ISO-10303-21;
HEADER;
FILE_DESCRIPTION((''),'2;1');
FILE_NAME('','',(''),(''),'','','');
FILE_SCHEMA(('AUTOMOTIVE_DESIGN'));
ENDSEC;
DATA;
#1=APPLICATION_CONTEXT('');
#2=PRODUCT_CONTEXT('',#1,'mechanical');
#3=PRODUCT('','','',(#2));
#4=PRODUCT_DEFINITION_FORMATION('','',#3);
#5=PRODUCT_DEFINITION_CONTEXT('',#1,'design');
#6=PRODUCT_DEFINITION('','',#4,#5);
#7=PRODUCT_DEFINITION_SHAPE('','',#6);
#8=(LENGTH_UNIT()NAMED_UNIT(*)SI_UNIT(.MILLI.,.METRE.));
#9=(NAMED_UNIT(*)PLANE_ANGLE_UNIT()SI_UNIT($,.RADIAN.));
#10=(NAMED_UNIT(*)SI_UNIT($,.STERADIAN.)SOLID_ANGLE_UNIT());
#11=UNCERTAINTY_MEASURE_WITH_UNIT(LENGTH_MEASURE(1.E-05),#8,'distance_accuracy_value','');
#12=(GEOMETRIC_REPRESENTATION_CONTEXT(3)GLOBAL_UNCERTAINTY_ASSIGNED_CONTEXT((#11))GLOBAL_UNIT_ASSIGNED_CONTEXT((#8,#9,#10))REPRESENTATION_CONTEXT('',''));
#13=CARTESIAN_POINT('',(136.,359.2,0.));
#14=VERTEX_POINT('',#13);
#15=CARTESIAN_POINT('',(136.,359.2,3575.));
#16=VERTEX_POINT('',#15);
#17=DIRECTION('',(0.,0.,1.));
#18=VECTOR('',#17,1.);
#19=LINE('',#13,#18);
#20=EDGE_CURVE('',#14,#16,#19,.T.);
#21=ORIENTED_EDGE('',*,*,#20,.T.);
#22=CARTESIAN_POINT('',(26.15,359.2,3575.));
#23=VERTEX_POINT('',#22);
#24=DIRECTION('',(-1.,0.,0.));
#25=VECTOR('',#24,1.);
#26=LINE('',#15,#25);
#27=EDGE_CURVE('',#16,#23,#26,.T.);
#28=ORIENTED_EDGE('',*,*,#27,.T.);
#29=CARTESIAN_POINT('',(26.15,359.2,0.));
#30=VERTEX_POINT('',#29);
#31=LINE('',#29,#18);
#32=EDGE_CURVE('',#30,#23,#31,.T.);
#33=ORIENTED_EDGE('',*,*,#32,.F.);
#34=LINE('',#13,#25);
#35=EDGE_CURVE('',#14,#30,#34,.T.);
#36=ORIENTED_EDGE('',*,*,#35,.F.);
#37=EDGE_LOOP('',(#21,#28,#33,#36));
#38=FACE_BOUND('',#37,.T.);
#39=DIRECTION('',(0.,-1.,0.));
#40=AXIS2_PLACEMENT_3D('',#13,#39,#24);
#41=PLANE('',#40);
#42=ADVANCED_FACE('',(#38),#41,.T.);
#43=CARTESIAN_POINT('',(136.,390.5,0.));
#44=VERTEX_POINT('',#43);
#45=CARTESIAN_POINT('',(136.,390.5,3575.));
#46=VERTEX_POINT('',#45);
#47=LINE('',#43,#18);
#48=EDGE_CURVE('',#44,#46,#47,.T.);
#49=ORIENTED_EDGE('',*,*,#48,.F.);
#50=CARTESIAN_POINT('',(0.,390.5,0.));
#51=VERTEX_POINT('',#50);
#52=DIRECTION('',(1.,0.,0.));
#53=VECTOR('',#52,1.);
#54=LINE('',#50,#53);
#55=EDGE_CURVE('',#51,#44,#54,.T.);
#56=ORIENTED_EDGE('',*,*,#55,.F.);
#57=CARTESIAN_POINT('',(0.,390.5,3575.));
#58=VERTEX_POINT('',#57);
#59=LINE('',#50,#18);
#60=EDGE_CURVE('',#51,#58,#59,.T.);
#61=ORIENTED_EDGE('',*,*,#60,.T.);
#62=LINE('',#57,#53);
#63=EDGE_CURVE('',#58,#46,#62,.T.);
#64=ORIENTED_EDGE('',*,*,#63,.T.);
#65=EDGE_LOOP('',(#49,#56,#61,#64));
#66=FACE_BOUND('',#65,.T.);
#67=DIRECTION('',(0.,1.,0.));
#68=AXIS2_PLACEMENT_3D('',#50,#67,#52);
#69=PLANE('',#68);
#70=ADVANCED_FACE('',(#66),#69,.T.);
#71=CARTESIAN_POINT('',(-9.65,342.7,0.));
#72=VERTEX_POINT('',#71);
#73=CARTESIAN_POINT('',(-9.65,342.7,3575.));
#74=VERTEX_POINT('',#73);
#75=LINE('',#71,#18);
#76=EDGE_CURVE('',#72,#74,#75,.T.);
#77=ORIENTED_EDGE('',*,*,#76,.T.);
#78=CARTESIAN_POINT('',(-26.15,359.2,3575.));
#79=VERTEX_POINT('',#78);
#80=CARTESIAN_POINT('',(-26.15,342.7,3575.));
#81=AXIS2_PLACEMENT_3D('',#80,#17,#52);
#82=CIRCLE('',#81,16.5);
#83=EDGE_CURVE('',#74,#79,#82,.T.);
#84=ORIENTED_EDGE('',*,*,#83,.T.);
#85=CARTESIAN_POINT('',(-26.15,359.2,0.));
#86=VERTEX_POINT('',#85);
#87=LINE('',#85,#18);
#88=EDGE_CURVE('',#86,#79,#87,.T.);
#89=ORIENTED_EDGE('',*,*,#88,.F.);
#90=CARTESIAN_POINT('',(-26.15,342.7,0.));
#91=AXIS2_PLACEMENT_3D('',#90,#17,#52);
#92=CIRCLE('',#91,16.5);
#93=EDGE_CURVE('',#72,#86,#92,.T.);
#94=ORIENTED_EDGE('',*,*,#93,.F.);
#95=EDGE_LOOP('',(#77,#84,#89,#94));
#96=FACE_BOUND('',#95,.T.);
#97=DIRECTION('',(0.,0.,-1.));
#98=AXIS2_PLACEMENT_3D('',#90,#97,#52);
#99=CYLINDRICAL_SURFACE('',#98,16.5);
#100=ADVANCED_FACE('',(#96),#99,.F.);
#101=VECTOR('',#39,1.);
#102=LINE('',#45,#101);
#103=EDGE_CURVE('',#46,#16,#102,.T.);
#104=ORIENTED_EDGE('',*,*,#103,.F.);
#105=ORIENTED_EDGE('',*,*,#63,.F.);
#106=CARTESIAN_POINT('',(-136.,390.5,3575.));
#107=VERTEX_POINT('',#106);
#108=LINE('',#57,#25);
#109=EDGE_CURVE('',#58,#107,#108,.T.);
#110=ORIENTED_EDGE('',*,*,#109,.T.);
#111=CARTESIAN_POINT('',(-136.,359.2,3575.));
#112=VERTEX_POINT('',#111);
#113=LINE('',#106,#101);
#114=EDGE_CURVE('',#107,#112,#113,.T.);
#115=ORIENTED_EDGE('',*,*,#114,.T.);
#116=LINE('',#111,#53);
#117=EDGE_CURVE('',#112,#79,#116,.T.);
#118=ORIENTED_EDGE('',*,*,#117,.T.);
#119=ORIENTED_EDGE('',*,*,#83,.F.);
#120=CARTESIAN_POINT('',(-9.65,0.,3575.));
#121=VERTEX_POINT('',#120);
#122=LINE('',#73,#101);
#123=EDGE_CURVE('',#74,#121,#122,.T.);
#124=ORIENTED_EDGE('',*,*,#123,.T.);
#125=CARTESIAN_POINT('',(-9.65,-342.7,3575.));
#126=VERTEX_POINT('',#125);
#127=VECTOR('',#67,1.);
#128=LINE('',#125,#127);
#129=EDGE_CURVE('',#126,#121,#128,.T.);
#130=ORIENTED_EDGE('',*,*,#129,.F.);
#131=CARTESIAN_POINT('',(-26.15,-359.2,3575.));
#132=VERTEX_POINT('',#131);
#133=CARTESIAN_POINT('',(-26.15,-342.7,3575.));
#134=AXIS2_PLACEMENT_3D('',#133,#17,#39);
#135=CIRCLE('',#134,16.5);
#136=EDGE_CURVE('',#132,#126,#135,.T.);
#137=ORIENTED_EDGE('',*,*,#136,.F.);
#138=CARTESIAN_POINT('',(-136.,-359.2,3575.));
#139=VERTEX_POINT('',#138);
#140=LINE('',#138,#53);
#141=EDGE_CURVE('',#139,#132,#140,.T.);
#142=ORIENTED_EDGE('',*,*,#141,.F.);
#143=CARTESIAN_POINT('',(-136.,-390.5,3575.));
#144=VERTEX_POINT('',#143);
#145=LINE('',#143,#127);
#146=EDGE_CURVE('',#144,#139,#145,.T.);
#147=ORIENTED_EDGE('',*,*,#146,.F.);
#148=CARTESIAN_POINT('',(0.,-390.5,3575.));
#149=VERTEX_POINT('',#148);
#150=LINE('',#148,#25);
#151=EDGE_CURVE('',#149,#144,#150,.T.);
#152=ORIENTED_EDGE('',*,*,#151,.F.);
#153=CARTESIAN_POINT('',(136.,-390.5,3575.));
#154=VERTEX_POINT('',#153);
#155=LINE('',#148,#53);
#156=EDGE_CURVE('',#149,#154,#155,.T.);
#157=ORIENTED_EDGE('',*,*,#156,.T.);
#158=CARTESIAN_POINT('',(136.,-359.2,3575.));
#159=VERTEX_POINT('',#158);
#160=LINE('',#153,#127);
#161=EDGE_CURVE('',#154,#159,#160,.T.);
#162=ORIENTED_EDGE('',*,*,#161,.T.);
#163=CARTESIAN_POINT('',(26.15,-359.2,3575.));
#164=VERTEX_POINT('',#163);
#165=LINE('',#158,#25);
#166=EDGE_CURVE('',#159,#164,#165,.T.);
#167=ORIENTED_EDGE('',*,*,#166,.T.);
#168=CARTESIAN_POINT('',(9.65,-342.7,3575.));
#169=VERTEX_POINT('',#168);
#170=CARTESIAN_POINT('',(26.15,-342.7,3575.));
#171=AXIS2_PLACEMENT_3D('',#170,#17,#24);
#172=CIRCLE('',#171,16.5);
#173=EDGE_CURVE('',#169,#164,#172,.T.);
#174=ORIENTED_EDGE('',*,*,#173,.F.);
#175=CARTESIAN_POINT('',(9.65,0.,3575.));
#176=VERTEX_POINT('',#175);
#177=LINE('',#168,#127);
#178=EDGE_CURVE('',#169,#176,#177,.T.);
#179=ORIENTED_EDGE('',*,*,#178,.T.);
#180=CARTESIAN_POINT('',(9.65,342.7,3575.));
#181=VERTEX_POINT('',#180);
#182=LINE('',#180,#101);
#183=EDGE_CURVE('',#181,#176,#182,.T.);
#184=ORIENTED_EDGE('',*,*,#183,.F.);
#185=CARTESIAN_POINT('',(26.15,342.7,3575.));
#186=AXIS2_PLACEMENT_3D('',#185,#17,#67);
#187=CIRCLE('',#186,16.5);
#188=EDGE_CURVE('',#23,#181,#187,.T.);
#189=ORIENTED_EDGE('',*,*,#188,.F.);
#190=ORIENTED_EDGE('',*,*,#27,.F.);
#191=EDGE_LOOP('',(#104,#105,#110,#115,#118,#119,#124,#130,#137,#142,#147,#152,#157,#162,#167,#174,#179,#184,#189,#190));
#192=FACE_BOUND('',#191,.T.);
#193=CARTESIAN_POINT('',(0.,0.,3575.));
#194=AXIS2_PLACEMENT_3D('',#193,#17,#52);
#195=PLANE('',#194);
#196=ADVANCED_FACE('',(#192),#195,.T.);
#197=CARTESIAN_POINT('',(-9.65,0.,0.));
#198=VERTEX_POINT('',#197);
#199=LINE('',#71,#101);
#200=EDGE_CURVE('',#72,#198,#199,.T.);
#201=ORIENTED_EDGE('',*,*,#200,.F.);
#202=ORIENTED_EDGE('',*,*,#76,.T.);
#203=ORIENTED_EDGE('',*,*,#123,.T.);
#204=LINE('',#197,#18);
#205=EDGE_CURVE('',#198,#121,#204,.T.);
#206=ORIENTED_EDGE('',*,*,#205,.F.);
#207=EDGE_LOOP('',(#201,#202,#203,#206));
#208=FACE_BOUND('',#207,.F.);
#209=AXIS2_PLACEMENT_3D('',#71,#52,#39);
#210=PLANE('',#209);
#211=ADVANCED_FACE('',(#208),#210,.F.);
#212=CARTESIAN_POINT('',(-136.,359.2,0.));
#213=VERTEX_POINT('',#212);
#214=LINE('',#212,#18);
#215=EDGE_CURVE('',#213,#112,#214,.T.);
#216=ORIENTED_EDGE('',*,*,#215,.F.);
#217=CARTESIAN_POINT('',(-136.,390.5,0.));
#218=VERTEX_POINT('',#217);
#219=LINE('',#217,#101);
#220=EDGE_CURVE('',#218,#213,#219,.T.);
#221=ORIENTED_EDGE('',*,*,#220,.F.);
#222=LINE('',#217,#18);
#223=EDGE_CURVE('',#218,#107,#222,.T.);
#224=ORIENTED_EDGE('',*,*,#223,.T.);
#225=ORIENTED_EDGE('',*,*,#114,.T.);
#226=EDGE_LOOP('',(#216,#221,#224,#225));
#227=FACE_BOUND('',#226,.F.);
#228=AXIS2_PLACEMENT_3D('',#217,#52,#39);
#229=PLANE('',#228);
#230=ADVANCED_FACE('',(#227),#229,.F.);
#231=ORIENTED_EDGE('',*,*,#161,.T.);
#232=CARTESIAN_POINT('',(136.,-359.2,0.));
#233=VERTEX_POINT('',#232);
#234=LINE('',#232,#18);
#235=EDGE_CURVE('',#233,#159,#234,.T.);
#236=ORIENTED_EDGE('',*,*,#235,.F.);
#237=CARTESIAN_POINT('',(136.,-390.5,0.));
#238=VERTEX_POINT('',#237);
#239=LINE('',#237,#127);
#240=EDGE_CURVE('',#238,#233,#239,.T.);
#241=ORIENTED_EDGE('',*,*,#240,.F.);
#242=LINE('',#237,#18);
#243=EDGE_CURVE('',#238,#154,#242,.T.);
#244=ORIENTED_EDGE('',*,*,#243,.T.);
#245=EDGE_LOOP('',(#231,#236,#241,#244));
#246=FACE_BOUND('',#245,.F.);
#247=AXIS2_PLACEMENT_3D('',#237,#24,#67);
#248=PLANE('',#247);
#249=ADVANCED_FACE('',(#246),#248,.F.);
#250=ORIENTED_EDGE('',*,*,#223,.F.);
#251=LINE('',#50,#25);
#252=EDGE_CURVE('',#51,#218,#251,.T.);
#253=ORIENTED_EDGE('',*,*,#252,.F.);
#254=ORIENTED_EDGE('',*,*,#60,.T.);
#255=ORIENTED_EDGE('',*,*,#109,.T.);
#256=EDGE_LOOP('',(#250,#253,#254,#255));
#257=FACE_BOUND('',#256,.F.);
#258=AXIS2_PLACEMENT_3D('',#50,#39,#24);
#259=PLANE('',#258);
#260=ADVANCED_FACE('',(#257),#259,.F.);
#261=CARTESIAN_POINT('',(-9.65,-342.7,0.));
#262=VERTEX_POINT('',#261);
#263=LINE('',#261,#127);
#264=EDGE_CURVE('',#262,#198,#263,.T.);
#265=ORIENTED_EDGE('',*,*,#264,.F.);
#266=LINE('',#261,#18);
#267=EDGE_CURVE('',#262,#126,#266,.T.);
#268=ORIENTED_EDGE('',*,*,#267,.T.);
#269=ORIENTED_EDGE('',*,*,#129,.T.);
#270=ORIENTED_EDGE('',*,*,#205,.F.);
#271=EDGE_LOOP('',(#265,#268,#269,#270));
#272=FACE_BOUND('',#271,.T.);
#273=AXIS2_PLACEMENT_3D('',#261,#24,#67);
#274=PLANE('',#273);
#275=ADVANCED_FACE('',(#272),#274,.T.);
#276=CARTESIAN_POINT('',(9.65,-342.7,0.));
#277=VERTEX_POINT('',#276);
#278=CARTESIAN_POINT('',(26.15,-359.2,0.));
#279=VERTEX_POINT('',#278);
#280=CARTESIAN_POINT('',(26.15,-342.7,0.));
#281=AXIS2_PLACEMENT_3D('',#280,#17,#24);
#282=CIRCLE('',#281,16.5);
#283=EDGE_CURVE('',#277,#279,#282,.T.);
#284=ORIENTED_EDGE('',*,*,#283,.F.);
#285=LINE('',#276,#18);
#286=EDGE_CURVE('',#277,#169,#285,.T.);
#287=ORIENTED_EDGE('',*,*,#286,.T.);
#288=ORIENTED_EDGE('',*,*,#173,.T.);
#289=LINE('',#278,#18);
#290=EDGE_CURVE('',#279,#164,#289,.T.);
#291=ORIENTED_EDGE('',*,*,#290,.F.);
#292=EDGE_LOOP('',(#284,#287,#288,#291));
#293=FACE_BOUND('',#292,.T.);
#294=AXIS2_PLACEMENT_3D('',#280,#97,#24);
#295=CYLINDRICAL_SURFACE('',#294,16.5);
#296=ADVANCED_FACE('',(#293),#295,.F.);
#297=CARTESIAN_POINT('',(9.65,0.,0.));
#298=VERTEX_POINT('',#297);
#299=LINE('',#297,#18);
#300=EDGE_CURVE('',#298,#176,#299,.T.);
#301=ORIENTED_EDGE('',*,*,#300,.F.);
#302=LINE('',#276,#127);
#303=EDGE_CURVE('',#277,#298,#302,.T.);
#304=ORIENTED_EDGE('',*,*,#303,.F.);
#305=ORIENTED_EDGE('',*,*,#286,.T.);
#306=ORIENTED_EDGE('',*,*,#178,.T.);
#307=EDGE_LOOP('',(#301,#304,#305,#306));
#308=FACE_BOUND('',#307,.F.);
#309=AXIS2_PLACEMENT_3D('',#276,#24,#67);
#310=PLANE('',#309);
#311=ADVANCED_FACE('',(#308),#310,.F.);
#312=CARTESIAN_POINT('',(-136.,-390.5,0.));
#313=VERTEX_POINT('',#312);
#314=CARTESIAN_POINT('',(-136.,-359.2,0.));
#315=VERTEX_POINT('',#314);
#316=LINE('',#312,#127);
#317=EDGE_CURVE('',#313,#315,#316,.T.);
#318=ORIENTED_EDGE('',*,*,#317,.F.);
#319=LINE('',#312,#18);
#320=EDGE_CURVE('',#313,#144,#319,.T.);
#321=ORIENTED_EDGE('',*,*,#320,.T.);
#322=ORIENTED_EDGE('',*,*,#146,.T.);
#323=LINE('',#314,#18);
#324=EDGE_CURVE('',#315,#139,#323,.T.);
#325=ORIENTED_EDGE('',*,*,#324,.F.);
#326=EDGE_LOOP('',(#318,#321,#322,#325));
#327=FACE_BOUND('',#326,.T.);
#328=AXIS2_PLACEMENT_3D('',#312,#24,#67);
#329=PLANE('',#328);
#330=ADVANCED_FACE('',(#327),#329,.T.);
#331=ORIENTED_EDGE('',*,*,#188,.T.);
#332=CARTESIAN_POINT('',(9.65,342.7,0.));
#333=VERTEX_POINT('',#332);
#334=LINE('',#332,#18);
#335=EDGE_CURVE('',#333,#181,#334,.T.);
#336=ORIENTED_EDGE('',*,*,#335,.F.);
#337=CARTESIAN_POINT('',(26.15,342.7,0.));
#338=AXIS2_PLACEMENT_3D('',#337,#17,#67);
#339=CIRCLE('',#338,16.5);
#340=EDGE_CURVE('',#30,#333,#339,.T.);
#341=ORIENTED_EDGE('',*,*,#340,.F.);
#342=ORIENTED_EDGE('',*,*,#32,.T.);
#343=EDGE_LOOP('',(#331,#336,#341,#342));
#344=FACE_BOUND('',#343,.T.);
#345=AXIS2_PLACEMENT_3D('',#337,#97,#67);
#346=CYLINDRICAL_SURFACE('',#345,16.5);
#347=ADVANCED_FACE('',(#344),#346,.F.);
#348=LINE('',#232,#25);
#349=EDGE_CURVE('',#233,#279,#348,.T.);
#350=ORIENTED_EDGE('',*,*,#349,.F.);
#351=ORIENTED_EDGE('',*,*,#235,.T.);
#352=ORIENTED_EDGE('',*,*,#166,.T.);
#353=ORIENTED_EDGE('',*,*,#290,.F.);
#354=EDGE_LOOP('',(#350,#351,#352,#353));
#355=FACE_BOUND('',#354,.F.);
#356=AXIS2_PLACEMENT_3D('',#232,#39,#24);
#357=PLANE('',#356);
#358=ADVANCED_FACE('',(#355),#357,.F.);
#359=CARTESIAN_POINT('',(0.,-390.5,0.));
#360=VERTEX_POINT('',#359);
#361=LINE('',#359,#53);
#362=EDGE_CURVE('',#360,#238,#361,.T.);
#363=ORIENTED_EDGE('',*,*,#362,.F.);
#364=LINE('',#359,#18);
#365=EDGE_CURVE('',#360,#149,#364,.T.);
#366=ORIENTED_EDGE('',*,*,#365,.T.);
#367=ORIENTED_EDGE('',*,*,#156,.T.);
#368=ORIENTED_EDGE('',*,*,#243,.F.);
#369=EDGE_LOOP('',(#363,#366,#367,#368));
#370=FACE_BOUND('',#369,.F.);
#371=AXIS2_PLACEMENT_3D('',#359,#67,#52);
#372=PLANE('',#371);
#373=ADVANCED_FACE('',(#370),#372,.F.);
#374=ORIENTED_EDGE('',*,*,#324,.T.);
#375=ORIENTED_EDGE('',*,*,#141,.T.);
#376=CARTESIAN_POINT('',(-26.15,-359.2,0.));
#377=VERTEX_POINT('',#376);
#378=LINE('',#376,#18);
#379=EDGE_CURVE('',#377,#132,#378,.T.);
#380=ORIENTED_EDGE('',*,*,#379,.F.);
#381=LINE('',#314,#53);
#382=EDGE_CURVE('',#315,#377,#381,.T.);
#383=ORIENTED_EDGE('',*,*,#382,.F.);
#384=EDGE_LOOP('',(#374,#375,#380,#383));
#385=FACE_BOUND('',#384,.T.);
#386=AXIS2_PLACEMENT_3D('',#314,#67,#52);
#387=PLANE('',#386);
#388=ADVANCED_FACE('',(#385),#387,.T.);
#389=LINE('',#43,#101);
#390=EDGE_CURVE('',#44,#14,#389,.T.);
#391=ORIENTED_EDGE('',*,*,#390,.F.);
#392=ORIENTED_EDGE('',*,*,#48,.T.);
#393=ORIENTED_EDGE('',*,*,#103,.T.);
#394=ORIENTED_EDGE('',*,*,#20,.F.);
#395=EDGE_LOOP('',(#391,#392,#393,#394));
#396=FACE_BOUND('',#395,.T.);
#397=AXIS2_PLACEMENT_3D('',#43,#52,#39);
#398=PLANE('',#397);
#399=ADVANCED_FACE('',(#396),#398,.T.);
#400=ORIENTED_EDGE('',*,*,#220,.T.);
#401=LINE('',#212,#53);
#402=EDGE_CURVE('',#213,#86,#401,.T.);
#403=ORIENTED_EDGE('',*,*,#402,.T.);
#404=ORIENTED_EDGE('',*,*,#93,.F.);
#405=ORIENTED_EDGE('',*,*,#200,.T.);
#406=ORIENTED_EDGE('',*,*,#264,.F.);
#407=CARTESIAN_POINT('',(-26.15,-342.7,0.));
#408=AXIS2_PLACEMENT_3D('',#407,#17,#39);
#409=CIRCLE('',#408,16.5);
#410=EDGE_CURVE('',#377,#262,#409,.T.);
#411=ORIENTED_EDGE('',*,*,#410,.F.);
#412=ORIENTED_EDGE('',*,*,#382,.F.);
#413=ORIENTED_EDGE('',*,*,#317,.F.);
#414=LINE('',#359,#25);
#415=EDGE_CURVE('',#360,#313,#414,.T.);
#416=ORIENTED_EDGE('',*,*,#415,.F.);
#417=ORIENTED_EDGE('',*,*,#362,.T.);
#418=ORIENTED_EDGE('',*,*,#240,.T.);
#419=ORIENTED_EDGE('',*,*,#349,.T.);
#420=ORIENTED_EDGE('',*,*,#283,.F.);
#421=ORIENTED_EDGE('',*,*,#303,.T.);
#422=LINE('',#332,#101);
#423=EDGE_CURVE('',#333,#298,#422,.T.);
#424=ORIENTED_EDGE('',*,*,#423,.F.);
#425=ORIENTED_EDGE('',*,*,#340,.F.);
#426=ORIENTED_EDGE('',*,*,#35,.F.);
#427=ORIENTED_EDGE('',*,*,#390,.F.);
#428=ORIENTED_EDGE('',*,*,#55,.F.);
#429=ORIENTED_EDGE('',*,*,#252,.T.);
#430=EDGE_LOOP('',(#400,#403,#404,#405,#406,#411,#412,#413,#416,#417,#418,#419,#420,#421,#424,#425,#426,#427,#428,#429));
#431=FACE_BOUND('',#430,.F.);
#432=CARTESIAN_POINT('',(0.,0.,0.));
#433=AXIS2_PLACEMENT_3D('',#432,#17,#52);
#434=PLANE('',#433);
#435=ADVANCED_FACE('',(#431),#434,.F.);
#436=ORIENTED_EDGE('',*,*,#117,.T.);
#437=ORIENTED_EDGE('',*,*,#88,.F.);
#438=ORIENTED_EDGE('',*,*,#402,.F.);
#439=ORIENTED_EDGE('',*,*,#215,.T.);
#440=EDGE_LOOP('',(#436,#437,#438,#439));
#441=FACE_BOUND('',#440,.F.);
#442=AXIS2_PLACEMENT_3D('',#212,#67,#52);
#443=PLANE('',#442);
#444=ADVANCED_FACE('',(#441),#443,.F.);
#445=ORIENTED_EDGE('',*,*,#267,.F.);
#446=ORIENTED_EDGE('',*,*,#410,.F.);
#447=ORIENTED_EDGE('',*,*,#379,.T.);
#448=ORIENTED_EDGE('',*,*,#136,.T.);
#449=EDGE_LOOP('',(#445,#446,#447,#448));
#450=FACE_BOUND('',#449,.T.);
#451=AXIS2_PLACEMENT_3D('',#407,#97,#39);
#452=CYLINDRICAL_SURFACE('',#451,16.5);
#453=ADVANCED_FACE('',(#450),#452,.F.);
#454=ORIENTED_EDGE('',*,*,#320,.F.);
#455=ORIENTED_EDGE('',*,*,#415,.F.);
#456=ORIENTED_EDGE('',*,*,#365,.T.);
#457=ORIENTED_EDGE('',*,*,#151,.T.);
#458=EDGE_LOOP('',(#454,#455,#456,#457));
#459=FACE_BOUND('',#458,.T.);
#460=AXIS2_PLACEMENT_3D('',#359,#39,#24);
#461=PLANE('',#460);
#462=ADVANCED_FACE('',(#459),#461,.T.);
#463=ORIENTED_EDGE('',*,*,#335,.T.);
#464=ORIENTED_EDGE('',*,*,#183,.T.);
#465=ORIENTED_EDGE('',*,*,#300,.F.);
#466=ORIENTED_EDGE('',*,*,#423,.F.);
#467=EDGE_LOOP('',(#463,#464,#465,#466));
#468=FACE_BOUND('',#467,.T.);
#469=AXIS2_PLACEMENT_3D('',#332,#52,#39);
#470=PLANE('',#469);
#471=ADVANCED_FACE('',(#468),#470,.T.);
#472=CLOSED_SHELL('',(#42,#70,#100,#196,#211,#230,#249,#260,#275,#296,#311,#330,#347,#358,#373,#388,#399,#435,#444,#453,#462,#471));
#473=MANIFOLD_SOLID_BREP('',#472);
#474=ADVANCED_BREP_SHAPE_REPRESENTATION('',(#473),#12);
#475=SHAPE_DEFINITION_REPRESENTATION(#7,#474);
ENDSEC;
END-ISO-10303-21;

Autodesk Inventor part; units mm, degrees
ref_plane "YZ Plane" through (0, 0, 0) normal (1, 0, 0) x (0, 1, 0)
ref_plane "Start plane" through (0, 0, 0) normal (0, 0, 1) x (1, 0, 0)
ref_plane "End plane" through (0, 0, 3575) normal (0, 0, 1) x (1, 0, 0)
sketch "Sketch" plane through (0, 0, 0) normal (0, 0, 1) x (1, 0, 0)
  line L0 (-136, -390.5) -> (-136, -359.2)
  line L1 (-136, -359.2) -> (-26.15, -359.2)
  line L2 (-9.65, -342.7) -> (-9.65, 0)
  line L3 (-9.65, 0) -> (0, 0) construction
  line L4 (0, 0) -> (0, -390.5) construction
  line L5 (0, -390.5) -> (-136, -390.5)
  line L6 (-60, 0) -> (80, 0) construction
  line L7 (0, -60) -> (0, 80) construction
  line L8 (136, -390.5) -> (136, -359.2)
  line L9 (136, -359.2) -> (26.15, -359.2)
  line L10 (9.65, -342.7) -> (9.65, 0)
  line L11 (9.65, 0) -> (0, 0) construction
  line L12 (0, -390.5) -> (136, -390.5)
  line L13 (-136, 390.5) -> (-136, 359.2)
  line L14 (-136, 359.2) -> (-26.15, 359.2)
  line L15 (-9.65, 342.7) -> (-9.65, 0)
  line L16 (0, 390.5) -> (-136, 390.5)
  line L17 (136, 390.5) -> (136, 359.2)
  line L18 (136, 359.2) -> (26.15, 359.2)
  line L19 (0, 390.5) -> (136, 390.5)
  line L20 (9.65, 342.7) -> (9.65, 0)
  arc A0 (-9.65, 342.7) -> (-26.15, 359.2) centre (-26.15, 342.7) ccw
  arc A1 (26.15, 359.2) -> (9.65, 342.7) centre (26.15, 342.7) ccw
  arc A2 (9.65, -342.7) -> (26.15, -359.2) centre (26.15, -342.7) ccw
  arc A3 (-26.15, -359.2) -> (-9.65, -342.7) centre (-26.15, -342.7) ccw
  line L21 (0, 108) -> (0, -88) construction
  line L22 (-88, 0) -> (108, 0) construction
  point P0 (-9.65, -359.2)
  point P1 (9.65, -359.2)
  point P2 (-9.65, 359.2)
  point P3 (9.65, 359.2)
  dimension "d1" = 390.5
  dimension "d2" = 31.3
  dimension "d3" = 136
  dimension "d4" = 9.65
  dimension "d10" = 16.5
extrude "Body" add sketch "Sketch" along normal up to surface (3575 mm away) from surface at 0
sketch "Sketch4" plane through (0, 0, 0) normal (0, 0, 1) x (1, 0, 0)
  line L0 (0, 0) -> (10, 0)
ref_plane "Work Plane3" through (0, 0, 0) normal (0, -1, 0) x (1, 0, 0)
sketch "Sketch5" plane through (0, 0, 0) normal (0, -1, 0) x (1, 0, 0)
  line L0 (-2, 0) -> (12, 0) projected
  line L1 (-2, 3575) -> (12, 3575) projected
  dimension "d14" = 3575
equation "\"d1\" = 0.5 * G_H"
equation "\"d2\" = G_T1"
equation "\"d3\" = 0.5 * G_W"
equation "\"d4\" = 0.5 * G_T"
equation "\"d10\" = G_IR"
equation "\"d5\" = G_L"
equation "\"G_W\" = 272"
equation "\"G_H\" = 781"
equation "\"G_T\" = 19.3"
equation "\"G_T1\" = 31.3"
equation "\"G_IR\" = 16.5"
equation "\"G_L\" = d14"
equation "\"G_OFFSET_START\" = 0"
equation "\"G_OFFSET_END\" = 0"
equation "\"d12\" = G_OFFSET_END + B_L"
equation "\"B_L\" = 3575"
properties part number "AS 3679-1990 - 760 UB - 244 - 3575" material "Steel, Mild"
